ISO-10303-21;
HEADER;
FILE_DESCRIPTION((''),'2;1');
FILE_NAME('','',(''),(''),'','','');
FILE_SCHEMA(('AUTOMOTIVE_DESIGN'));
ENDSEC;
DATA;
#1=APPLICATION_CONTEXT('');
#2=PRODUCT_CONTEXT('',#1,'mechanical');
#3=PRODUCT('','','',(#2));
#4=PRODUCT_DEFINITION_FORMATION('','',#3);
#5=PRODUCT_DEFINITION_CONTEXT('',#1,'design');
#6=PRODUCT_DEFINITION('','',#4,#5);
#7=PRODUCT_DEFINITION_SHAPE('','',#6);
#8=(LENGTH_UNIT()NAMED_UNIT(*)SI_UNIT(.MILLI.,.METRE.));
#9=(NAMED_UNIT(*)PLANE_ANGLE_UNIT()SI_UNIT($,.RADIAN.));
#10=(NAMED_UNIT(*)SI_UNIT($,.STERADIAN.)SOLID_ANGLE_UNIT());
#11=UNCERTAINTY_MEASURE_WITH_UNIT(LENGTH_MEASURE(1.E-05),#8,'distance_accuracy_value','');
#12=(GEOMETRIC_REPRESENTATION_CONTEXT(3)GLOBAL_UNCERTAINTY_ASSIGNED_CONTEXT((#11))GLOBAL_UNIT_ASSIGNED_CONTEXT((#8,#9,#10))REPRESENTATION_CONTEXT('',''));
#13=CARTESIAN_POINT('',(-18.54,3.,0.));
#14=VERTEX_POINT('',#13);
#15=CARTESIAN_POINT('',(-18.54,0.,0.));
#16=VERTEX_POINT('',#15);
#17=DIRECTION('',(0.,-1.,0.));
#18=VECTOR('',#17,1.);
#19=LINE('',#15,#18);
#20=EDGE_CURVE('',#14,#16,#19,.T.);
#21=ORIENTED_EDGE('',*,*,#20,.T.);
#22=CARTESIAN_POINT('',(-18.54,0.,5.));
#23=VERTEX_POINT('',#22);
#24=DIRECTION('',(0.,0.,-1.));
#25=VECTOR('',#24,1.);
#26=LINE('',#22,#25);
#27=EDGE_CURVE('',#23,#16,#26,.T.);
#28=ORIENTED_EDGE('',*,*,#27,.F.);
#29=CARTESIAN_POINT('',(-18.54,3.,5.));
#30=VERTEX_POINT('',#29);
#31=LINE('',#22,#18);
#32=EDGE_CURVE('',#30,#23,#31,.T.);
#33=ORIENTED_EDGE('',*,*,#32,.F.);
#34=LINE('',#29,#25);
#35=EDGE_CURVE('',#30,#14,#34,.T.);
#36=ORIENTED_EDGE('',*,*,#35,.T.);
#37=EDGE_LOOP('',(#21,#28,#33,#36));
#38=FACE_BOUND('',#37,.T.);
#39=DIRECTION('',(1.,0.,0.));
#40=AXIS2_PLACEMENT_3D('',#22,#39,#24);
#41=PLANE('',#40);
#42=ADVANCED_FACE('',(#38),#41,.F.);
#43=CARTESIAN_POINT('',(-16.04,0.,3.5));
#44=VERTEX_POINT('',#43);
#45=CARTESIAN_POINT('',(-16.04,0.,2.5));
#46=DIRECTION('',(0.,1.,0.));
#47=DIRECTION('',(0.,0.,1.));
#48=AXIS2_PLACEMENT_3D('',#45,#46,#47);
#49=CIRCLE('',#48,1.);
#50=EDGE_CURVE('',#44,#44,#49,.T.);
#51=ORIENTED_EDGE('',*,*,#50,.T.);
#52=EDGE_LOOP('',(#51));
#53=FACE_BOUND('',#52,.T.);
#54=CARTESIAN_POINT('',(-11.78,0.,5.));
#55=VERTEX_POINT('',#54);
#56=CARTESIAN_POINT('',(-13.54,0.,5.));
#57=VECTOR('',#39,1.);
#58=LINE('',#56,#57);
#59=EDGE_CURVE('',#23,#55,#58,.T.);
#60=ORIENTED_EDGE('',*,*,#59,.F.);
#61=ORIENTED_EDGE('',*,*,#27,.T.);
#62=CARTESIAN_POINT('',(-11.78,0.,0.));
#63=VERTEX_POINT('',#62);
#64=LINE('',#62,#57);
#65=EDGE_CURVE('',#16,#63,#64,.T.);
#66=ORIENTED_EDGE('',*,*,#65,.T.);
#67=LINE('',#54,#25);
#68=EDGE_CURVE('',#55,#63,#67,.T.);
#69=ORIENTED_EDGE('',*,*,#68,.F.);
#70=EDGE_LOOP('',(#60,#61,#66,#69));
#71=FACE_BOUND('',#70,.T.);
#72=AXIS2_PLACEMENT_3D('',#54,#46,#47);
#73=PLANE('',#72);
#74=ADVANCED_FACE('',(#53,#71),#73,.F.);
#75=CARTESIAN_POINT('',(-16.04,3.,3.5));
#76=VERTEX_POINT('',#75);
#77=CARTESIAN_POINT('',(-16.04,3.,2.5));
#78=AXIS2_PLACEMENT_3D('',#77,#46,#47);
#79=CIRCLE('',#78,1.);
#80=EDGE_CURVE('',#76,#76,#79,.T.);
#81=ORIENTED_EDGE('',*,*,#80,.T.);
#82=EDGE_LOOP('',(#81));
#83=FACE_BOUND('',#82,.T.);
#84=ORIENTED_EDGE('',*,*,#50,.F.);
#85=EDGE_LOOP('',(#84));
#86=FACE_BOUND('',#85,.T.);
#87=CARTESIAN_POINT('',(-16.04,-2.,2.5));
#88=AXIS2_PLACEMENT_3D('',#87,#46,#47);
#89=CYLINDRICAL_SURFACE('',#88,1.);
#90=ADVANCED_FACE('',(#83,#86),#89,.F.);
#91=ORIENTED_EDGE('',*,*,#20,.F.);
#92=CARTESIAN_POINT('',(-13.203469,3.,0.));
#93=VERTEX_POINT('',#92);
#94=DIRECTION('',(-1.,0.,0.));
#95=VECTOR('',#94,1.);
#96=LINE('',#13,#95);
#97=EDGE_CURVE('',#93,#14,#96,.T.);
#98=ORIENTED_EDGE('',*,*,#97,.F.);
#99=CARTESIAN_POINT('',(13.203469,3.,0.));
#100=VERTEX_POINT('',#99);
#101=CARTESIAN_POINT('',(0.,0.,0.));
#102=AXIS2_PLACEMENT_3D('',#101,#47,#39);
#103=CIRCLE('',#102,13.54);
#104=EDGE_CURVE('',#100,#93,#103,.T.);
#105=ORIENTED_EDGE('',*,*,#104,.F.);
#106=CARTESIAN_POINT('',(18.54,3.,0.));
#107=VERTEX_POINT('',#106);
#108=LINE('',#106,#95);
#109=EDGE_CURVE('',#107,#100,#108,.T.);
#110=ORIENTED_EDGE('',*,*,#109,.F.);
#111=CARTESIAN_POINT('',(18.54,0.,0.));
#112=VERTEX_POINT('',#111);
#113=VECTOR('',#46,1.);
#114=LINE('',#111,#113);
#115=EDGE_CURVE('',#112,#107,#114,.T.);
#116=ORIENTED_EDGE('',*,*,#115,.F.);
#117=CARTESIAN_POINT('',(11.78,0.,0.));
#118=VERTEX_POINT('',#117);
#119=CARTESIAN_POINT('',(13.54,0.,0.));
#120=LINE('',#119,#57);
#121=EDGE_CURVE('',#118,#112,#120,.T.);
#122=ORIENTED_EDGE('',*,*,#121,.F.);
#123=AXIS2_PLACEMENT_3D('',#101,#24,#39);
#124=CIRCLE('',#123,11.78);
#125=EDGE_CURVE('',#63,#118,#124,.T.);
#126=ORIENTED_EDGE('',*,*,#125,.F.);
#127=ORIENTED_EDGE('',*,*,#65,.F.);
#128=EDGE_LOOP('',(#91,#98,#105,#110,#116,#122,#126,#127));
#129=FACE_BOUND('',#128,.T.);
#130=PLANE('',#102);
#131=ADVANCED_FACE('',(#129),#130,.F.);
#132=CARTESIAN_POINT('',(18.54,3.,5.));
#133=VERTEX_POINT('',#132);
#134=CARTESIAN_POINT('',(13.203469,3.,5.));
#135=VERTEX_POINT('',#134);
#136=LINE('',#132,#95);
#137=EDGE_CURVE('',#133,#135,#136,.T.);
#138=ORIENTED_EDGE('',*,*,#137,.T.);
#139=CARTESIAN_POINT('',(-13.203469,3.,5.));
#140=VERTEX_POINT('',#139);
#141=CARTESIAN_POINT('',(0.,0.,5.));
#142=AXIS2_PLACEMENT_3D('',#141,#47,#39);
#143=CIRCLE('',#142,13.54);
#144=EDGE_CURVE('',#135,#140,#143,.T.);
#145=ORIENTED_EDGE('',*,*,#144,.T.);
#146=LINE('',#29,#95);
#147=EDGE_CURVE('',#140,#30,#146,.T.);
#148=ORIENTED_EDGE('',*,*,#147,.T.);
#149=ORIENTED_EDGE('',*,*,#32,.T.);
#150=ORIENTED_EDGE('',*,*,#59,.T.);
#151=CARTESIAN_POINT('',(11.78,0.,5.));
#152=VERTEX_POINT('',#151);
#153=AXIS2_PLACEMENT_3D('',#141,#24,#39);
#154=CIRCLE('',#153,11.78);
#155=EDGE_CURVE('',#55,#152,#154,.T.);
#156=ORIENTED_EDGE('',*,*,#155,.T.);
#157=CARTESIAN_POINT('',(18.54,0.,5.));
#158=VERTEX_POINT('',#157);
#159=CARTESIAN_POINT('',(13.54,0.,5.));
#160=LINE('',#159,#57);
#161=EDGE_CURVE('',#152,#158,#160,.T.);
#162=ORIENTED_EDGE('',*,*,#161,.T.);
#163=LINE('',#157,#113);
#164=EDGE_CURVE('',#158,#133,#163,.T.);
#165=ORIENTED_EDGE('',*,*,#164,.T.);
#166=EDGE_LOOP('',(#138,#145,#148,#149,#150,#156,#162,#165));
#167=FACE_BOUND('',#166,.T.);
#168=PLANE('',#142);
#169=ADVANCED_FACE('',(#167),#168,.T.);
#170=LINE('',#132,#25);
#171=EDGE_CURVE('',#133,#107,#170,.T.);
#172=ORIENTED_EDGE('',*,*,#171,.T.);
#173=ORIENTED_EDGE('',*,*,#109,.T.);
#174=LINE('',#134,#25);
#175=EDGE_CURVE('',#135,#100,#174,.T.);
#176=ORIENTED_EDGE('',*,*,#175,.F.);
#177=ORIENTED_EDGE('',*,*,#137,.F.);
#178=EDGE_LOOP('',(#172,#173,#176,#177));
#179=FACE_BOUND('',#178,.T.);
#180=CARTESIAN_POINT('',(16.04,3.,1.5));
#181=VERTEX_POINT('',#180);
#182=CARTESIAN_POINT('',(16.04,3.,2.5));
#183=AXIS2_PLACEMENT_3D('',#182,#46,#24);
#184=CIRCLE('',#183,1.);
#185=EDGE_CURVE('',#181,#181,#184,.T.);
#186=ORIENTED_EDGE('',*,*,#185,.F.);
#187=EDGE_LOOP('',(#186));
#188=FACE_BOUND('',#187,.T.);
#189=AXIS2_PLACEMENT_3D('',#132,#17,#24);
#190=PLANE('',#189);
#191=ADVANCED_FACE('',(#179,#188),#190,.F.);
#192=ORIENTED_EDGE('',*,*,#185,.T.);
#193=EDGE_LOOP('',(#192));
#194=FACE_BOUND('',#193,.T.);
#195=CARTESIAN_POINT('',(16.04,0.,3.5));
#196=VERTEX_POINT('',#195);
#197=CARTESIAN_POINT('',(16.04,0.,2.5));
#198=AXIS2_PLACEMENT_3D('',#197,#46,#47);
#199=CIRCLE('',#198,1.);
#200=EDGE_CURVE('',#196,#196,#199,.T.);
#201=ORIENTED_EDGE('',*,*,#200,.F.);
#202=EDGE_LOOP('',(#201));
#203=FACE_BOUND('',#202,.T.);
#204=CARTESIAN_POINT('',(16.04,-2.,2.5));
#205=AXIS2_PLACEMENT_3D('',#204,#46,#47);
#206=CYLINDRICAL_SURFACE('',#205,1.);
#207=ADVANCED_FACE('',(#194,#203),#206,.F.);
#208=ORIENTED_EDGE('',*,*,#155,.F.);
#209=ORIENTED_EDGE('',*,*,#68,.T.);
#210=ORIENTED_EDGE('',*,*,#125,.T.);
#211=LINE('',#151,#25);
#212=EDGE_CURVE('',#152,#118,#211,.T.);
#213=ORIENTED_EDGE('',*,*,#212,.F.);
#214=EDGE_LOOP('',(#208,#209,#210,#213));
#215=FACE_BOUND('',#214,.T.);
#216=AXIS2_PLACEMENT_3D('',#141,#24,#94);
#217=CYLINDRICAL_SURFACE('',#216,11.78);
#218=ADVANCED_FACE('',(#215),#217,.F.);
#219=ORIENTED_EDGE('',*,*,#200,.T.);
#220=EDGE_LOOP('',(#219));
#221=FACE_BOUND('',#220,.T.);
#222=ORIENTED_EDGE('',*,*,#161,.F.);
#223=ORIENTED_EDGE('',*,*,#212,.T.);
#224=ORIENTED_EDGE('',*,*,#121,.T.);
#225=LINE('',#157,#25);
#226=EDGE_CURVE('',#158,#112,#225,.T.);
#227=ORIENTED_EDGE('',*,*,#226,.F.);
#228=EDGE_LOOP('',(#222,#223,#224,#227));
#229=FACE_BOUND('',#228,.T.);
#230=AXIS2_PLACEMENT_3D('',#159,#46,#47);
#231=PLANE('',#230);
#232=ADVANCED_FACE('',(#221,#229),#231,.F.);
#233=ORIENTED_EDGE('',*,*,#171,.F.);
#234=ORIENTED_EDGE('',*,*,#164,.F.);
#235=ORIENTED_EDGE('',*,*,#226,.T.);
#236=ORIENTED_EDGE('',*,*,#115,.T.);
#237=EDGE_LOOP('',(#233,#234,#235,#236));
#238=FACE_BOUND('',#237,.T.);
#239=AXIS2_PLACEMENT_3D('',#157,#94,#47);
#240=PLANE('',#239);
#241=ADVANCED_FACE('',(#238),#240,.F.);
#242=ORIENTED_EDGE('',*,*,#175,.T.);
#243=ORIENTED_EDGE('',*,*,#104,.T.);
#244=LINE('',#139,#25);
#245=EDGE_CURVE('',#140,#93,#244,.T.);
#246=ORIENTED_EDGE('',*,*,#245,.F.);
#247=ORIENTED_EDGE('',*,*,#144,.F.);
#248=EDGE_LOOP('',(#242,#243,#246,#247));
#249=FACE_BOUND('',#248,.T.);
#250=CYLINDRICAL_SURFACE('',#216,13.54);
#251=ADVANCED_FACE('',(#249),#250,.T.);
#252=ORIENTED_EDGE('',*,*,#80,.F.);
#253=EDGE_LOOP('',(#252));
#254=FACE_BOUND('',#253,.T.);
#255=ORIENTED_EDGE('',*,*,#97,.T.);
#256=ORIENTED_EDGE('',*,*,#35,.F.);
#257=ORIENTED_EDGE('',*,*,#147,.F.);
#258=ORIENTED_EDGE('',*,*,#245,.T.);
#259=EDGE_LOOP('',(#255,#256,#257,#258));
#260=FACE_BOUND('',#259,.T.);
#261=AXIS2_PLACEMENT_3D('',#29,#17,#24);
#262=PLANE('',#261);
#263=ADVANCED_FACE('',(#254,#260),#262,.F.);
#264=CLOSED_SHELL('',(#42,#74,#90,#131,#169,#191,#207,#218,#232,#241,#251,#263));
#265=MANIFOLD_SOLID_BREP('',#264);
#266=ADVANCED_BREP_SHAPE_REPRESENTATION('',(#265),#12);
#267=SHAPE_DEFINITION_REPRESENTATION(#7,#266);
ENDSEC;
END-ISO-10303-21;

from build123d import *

# Parameters (mm, degrees)
BOSS_EXTRUDE1_DEPTH = 5
SKETCH2_R           = 1
CUT_EXTRUDE1_DEPTH  = 5


with BuildPart() as part:
    # Sketch1 → Boss-Extrude1 (new body)
    with BuildSketch(Plane.XY):
        with BuildLine():
            Line((18.54, 0), (18.54, 3))
            Line((18.54, 3), (13.203469241, 3))
            ThreePointArc((13.203469241, 3), (0, 13.54), (-13.203469241, 3))
            Line((-13.203469241, 3), (-18.54, 3))
            Line((-18.54, 3), (-18.54, 0))
            Line((-18.54, 0), (-13.54, 0))
            Line((-13.54, 0), (-11.78, 0))
            ThreePointArc((-11.78, 0), (0, 11.78), (11.78, 0))
            Line((11.78, 0), (13.54, 0))
            Line((13.54, 0), (18.54, 0))
        make_face()
    extrude(amount=BOSS_EXTRUDE1_DEPTH)

    # Sketch2 → Cut-Extrude1 (cut)
    with BuildSketch(Plane(origin=(0, 3, 0), x_dir=(1, 0, 0), z_dir=(0, 1, 0))):
        with Locations(Location((-16.04, -2.5, 0), (0, 0, 270))):
            Circle(SKETCH2_R)
        with Locations(Location((16.04, -2.5, 0), (0, 0, 270))):
            Circle(SKETCH2_R)
    extrude(amount=-CUT_EXTRUDE1_DEPTH, mode=Mode.SUBTRACT)


solid = part.part
